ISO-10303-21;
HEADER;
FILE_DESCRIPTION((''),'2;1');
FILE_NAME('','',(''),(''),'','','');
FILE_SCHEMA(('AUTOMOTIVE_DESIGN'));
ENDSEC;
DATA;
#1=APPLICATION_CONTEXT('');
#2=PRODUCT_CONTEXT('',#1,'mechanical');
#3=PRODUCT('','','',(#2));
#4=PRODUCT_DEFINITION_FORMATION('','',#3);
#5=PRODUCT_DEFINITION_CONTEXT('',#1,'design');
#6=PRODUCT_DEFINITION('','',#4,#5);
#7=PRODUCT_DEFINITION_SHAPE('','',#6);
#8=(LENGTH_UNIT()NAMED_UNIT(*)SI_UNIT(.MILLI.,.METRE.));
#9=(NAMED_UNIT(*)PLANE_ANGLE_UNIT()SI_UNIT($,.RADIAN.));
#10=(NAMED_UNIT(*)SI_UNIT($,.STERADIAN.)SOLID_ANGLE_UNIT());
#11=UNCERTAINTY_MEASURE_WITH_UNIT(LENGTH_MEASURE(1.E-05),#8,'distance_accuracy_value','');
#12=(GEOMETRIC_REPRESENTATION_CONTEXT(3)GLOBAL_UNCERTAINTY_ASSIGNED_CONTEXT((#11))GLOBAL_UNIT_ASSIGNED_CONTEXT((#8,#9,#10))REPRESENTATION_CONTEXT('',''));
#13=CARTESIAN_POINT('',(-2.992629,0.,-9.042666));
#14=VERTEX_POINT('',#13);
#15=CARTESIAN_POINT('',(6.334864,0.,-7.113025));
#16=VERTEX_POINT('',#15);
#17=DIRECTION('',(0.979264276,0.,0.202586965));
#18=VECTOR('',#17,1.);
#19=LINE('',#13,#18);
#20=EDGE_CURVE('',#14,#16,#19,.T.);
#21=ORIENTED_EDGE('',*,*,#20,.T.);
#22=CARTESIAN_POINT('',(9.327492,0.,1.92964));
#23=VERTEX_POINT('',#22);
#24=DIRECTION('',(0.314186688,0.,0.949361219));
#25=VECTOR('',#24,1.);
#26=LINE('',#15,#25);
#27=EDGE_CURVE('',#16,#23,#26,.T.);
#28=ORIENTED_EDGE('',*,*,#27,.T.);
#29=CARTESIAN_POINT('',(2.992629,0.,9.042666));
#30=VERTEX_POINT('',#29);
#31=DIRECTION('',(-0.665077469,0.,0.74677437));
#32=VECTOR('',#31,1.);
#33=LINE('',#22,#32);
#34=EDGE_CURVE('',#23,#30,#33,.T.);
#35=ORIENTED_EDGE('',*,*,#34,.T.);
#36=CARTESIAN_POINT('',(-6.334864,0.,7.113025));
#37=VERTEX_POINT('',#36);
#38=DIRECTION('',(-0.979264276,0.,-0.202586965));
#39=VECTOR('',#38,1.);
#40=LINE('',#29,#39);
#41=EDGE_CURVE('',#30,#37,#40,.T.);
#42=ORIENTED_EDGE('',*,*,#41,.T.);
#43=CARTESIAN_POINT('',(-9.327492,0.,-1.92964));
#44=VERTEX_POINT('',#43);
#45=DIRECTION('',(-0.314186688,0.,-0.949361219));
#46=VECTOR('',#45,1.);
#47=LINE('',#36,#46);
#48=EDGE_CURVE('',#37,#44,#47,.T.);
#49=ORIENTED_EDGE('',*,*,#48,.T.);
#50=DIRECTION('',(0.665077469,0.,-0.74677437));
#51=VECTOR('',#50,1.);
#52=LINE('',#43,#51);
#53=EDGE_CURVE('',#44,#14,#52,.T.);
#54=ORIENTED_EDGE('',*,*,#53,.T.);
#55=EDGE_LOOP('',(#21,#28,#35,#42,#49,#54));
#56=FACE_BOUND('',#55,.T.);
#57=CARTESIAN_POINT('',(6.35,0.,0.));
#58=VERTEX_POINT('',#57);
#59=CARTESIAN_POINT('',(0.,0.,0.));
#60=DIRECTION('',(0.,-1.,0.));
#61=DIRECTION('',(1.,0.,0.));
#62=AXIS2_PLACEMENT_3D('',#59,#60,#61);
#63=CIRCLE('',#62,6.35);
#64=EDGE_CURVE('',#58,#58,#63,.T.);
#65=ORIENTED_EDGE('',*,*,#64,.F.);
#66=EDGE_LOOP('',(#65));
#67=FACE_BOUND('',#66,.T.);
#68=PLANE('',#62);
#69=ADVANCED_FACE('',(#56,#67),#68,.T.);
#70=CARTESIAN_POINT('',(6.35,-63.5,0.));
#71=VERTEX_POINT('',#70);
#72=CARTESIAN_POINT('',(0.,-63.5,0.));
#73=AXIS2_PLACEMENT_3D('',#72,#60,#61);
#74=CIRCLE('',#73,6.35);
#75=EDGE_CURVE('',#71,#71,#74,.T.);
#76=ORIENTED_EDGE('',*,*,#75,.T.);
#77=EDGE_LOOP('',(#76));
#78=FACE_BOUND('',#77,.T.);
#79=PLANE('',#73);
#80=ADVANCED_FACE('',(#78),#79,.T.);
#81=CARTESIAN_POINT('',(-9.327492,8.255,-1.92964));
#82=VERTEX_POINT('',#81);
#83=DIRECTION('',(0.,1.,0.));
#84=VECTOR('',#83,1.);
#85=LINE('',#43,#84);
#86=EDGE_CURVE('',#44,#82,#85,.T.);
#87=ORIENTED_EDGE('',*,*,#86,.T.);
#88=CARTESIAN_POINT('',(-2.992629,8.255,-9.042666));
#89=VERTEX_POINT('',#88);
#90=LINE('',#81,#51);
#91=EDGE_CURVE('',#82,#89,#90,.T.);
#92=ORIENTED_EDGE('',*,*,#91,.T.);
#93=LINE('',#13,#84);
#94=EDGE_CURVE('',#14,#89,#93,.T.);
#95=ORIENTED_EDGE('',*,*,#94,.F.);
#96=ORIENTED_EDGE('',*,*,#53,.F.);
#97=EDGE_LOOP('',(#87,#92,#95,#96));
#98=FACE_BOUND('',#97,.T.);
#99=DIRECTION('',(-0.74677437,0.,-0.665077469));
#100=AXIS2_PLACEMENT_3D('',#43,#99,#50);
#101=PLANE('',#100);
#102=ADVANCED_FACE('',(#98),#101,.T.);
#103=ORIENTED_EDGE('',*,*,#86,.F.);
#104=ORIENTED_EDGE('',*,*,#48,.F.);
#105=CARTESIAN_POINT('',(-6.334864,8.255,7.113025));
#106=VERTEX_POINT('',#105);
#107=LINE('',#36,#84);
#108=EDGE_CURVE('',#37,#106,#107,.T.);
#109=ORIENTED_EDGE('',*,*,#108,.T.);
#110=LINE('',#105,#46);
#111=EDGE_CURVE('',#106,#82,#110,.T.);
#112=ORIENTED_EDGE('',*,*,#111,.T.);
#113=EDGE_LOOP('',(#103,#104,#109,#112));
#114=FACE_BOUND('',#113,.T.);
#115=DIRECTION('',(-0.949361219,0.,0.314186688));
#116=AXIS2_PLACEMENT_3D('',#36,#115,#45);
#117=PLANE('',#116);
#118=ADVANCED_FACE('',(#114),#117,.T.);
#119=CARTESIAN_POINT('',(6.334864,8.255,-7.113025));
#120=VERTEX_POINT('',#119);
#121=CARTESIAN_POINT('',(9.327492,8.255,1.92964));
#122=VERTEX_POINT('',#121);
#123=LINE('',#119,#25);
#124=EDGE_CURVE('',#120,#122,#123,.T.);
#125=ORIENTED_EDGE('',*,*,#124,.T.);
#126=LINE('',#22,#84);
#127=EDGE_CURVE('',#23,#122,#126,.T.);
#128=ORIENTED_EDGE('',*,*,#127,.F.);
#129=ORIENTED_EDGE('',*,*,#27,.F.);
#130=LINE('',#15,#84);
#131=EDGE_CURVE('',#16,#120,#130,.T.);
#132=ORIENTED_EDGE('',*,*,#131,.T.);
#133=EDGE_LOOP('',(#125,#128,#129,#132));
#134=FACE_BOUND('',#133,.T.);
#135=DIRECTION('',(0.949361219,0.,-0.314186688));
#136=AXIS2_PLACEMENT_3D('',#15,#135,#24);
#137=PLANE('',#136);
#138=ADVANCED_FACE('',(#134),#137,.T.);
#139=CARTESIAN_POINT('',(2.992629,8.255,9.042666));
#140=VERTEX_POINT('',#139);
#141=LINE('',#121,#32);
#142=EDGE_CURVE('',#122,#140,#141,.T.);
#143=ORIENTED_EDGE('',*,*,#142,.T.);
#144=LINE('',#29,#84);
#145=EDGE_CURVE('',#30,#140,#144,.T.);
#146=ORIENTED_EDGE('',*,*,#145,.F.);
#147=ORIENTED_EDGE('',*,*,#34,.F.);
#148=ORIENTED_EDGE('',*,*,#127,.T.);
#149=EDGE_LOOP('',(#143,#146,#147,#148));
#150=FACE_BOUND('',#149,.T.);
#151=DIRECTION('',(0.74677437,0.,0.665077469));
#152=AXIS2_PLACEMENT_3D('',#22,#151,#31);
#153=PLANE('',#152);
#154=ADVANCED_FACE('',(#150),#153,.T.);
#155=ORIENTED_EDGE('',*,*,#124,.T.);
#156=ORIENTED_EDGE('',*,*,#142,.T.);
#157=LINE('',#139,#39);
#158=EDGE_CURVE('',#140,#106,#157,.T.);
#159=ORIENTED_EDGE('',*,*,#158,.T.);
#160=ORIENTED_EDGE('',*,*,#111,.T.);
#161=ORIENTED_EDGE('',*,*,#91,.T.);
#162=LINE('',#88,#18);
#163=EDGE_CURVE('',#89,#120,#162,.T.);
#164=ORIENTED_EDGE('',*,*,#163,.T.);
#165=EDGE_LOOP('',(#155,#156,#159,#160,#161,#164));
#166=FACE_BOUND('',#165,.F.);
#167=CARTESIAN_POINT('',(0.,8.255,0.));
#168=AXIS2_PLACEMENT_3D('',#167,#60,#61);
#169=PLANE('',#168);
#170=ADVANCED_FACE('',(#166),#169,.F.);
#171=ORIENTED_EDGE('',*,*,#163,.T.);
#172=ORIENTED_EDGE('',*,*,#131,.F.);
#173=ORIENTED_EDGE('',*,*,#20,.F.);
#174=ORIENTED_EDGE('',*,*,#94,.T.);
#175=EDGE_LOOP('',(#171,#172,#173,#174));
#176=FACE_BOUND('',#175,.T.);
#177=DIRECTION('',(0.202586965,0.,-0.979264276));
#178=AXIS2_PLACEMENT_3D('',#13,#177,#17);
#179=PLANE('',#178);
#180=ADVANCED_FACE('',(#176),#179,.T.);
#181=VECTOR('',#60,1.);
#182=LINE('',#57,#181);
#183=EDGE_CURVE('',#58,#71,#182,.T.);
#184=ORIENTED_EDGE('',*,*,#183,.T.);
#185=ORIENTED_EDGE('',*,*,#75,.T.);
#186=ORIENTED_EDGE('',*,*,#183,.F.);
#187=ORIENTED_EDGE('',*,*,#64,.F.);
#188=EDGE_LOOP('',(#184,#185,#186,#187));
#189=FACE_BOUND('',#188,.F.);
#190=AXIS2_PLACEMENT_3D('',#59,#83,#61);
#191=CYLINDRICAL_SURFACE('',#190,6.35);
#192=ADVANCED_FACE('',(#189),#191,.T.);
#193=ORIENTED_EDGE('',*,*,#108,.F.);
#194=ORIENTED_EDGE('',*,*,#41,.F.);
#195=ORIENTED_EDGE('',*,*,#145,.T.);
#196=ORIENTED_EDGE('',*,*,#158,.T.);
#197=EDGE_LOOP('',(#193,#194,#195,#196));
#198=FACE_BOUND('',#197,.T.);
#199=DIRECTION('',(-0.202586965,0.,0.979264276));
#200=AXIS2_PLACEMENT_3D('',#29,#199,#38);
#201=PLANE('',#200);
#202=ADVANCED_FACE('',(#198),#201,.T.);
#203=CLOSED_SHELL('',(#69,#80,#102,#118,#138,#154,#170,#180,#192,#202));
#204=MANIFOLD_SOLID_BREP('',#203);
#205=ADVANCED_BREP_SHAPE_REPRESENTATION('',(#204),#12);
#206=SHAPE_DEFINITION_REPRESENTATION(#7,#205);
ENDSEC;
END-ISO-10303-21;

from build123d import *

# Parameters (mm, degrees)
F2_R     = 6.35
F0_DEPTH = 63.5
F1_DEPTH = 8.255


with BuildPart() as f0:
    # F2 (on Front) → F0 (new body)
    with BuildSketch(Plane.XZ):
        Circle(F2_R)
    extrude(amount=F0_DEPTH)

    # F2 (on Front) → F1 (join)
    with BuildSketch(Plane.XZ):
        Polygon((-2.992629, -9.042666), (6.334864, -7.113025), (9.327492, 1.92964), (2.992629, 9.042666), (-6.334864, 7.113025), (-9.327492, -1.92964), align=None)
        Circle(F2_R, mode=Mode.SUBTRACT)
        Circle(F2_R)
    extrude(amount=-F1_DEPTH)


solid = f0.part
